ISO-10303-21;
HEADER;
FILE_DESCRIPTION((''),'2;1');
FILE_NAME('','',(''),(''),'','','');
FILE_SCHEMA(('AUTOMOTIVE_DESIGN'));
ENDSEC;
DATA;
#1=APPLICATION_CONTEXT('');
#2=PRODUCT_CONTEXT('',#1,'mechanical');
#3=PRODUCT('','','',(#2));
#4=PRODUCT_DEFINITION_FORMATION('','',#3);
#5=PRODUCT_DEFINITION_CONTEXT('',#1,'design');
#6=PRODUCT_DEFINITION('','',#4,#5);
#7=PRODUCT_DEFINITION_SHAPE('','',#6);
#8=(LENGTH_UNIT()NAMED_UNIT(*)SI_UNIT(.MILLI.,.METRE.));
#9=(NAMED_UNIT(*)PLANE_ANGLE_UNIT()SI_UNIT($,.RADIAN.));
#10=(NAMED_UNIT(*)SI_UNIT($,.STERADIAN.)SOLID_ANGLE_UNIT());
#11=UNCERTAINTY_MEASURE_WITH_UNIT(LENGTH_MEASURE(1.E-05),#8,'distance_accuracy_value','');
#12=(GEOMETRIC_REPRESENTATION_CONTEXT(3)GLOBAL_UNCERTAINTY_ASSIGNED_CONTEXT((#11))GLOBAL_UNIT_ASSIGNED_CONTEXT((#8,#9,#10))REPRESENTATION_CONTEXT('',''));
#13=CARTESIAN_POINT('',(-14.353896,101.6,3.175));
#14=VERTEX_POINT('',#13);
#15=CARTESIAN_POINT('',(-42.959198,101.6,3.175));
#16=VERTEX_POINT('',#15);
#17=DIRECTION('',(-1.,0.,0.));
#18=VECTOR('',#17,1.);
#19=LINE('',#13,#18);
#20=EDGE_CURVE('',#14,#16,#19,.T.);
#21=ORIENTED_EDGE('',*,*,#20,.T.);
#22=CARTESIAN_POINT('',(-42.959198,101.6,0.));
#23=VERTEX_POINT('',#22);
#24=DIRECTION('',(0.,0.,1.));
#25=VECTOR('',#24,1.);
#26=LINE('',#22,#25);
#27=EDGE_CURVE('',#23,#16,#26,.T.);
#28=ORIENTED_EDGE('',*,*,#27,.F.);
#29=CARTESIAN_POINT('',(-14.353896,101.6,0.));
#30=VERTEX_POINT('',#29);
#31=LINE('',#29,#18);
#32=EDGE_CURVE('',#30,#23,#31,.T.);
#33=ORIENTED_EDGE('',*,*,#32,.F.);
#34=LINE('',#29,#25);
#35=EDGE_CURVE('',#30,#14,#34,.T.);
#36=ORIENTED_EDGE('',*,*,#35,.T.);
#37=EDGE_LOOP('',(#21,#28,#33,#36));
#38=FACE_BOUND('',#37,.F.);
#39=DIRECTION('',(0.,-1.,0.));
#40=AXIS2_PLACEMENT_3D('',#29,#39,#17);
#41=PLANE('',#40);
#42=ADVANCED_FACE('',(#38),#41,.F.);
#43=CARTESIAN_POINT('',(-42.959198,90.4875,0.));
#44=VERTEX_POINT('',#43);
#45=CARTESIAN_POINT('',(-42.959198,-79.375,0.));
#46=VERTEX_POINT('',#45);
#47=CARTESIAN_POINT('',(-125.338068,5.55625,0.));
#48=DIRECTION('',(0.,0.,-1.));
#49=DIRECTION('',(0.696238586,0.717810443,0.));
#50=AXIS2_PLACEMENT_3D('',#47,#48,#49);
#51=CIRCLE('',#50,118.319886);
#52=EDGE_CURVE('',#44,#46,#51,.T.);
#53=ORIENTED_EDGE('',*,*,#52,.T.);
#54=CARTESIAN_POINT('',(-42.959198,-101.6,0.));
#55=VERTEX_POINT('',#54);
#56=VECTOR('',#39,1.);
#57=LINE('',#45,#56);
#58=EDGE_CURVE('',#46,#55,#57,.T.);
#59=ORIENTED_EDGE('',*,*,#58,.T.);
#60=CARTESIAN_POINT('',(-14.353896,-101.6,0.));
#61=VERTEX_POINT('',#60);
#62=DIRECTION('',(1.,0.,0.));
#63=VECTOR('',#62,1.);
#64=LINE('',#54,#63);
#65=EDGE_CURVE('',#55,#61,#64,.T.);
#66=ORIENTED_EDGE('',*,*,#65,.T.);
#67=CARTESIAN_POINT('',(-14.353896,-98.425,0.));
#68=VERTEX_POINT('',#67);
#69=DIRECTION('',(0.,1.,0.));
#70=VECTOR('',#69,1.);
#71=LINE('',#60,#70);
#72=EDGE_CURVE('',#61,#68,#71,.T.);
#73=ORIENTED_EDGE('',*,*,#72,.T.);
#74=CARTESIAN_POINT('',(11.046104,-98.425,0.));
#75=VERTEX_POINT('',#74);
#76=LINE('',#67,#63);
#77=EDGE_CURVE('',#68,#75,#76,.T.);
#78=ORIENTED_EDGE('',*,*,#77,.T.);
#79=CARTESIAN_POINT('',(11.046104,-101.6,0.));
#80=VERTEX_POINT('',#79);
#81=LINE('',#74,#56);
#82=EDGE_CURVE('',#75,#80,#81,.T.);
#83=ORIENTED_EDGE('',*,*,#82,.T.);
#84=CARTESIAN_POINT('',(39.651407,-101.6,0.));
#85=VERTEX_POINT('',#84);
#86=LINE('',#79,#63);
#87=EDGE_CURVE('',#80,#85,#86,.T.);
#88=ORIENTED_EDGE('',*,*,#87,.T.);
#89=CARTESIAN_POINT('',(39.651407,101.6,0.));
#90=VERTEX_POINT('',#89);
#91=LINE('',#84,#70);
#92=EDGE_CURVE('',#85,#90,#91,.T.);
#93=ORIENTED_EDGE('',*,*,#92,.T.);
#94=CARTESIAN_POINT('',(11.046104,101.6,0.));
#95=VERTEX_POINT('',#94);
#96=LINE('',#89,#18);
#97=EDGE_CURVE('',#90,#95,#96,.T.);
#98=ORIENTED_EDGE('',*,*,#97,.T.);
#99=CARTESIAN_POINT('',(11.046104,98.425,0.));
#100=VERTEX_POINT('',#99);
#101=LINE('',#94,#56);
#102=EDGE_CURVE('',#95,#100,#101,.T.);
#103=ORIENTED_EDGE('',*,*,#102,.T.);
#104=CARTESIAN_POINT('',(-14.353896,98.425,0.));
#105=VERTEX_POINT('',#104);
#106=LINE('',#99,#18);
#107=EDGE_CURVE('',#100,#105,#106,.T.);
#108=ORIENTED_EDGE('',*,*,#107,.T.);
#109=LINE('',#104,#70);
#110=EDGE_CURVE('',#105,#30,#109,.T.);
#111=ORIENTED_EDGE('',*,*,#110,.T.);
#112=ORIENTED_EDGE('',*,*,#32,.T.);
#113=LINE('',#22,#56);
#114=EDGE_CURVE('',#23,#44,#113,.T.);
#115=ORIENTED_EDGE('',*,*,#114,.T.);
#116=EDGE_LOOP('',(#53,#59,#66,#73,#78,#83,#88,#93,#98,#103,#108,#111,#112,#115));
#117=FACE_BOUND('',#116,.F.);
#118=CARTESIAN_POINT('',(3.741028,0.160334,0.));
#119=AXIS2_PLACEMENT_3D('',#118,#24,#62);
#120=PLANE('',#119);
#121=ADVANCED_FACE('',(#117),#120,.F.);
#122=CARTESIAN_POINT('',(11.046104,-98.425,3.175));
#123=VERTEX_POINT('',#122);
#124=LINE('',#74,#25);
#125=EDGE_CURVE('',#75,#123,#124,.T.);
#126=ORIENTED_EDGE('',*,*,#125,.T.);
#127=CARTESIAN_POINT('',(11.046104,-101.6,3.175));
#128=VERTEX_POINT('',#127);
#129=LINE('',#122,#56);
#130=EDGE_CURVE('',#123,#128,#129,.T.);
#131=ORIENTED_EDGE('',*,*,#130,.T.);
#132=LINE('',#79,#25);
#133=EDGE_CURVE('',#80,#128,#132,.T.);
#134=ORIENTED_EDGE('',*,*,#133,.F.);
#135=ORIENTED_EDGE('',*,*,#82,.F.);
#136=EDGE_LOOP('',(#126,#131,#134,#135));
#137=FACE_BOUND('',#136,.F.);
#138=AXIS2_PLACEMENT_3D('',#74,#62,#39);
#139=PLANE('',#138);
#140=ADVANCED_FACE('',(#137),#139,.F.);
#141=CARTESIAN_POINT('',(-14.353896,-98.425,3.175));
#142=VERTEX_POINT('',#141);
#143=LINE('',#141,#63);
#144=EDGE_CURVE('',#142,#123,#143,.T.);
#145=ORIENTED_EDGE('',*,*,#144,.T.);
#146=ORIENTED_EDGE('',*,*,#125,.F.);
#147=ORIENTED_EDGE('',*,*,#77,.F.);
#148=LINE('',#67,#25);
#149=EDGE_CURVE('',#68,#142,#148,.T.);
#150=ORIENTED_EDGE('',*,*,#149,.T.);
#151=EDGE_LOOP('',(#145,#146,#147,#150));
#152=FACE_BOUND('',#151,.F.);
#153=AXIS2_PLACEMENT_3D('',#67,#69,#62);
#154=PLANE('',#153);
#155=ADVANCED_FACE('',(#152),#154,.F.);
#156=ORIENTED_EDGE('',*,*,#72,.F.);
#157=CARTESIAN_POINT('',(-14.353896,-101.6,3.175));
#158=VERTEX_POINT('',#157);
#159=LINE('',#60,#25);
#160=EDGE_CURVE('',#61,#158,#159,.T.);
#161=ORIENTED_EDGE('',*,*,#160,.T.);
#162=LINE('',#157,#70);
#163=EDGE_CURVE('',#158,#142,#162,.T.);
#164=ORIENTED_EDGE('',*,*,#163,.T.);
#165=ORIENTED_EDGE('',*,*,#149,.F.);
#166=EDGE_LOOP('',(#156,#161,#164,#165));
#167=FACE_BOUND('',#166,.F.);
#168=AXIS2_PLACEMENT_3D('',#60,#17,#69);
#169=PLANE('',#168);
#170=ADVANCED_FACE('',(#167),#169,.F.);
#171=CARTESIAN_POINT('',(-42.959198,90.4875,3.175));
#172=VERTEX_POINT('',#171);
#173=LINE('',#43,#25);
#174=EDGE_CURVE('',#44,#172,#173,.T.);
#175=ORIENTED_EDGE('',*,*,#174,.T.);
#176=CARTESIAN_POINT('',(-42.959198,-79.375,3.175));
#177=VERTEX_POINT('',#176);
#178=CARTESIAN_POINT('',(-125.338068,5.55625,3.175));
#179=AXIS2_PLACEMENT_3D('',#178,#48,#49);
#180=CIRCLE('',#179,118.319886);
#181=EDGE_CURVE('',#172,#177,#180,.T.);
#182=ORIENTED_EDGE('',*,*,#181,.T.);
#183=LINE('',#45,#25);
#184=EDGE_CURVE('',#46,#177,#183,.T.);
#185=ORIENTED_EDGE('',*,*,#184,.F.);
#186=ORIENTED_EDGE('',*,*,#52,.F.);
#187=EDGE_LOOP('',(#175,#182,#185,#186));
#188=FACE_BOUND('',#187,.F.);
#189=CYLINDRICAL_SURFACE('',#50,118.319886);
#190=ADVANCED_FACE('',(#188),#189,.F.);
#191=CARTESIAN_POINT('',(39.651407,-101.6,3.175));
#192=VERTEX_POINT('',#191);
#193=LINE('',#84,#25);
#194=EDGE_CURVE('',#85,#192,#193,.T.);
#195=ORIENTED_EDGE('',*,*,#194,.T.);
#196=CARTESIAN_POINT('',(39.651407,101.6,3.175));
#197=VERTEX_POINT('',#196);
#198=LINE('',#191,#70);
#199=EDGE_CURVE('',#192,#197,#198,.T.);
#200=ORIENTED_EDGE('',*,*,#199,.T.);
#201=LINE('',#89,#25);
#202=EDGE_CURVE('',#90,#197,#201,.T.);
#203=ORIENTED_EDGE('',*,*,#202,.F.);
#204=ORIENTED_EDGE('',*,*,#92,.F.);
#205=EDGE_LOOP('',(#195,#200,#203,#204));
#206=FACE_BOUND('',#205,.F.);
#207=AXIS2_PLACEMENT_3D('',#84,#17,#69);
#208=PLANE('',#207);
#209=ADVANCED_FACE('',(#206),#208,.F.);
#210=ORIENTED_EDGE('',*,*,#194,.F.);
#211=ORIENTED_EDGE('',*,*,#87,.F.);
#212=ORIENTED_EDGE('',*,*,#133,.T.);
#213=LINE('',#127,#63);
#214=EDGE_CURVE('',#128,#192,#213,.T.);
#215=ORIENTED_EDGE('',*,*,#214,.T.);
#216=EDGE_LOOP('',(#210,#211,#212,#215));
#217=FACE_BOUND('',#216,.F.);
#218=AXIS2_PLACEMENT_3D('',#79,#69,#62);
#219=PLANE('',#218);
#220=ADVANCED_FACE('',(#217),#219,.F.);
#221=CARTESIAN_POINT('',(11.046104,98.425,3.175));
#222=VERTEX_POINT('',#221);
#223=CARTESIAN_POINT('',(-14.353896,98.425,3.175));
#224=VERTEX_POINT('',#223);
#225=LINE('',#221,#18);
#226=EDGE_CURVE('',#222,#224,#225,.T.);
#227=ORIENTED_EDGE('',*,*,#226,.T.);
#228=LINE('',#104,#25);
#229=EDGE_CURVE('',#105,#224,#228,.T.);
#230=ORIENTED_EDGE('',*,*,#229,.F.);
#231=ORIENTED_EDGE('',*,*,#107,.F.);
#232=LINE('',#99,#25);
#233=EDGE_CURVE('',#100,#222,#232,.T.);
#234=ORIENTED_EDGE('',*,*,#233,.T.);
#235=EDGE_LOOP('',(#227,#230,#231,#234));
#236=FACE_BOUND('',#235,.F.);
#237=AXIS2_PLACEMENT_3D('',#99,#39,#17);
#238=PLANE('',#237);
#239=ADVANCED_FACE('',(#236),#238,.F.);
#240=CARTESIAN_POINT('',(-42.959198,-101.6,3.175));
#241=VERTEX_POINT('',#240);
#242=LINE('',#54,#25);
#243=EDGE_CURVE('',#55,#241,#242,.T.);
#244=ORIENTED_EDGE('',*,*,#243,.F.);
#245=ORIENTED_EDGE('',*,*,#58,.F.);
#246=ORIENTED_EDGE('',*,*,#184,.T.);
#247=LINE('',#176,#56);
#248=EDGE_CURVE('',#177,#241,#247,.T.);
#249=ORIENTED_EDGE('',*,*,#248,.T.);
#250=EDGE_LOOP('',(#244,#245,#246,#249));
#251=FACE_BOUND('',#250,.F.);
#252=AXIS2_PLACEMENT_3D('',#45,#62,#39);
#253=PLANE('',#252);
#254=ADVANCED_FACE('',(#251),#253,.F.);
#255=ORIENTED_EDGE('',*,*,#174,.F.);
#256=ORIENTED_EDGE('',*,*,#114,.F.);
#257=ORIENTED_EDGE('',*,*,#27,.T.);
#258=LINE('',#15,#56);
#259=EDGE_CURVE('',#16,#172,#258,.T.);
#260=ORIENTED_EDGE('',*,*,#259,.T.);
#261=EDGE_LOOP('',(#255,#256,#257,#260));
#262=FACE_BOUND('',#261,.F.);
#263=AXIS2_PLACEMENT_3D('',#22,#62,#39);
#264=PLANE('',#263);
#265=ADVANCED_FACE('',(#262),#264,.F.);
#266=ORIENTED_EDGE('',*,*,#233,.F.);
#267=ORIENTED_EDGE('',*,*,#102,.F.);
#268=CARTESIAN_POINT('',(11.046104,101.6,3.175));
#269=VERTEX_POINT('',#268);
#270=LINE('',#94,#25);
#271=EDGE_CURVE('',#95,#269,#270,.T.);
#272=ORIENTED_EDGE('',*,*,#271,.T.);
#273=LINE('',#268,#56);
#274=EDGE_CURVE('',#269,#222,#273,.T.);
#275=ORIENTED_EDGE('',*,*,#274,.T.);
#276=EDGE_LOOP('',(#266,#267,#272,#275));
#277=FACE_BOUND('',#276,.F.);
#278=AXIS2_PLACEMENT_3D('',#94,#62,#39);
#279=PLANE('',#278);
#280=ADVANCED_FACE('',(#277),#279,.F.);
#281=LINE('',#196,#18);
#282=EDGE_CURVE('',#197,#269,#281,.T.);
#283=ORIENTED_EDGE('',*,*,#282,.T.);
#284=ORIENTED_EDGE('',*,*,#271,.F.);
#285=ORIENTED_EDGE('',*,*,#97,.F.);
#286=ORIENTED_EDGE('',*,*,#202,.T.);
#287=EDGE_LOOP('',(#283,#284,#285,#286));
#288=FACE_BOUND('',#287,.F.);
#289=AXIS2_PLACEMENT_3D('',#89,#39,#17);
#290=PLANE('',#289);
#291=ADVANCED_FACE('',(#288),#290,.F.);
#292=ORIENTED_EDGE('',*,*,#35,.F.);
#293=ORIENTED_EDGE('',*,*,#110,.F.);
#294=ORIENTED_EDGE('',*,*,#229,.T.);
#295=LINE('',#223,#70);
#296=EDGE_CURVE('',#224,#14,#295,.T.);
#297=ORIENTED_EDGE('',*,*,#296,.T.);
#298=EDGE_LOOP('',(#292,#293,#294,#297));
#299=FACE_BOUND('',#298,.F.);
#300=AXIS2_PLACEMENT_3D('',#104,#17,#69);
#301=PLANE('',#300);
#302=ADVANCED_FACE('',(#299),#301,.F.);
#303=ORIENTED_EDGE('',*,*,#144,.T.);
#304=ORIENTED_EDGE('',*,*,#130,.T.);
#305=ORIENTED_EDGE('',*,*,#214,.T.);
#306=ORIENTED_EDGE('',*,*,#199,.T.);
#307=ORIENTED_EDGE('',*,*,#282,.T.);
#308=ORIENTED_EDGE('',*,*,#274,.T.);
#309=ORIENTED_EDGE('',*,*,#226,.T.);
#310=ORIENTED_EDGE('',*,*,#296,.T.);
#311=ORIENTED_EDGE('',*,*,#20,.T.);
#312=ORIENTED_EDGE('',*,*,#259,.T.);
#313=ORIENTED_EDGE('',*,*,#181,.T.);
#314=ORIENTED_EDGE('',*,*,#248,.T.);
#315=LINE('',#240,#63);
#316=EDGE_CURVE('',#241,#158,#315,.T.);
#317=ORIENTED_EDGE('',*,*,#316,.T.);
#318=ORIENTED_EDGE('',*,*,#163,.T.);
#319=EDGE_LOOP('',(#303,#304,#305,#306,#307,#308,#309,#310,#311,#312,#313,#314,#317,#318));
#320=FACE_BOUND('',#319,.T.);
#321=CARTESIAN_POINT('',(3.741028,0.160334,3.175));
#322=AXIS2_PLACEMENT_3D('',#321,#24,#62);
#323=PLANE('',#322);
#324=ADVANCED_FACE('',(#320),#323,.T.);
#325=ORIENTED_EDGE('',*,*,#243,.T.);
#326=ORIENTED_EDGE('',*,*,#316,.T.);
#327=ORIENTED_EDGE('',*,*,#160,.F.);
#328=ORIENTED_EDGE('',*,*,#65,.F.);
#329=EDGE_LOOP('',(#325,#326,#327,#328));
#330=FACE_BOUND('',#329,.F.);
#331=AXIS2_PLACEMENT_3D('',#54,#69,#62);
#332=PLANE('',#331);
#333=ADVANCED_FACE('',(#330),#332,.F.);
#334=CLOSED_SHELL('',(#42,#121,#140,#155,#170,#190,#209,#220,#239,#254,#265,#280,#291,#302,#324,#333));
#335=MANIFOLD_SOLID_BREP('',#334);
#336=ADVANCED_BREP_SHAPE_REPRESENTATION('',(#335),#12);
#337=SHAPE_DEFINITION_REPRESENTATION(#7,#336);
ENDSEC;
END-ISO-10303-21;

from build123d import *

# Parameters (mm, degrees)
F1_DEPTH = 3.175


with BuildPart() as f1:
    # F0 (on Top) → F1 (new body)
    with BuildSketch(Plane.XY):
        with BuildLine():
            Line((-42.959198, -79.375), (-42.959198, -101.6))
            Line((-42.959198, -101.6), (-14.659364, -101.6))
            Line((-14.659364, -101.6), (-14.353896, -101.6))
            Line((-14.353896, -101.6), (-14.353896, -98.425))
            Line((-14.353896, -98.425), (-13.463448, -98.425))
            Line((-13.463448, -98.425), (11.046104, -98.425))
            Line((11.046104, -98.425), (11.046104, -101.6))
            Line((11.046104, -101.6), (11.936552, -101.6))
            Line((11.936552, -101.6), (14.022917, -101.6))
            Line((14.022917, -101.6), (39.525854, -101.6))
            Line((39.525854, -101.6), (39.651407, -101.6))
            Line((39.651407, -101.6), (39.651407, 101.6))
            Line((39.651407, 101.6), (14.022917, 101.6))
            Line((14.022917, 101.6), (13.768917, 101.6))
            Line((13.768917, 101.6), (11.936552, 101.6))
            Line((11.936552, 101.6), (11.046104, 101.6))
            Line((11.046104, 101.6), (11.046104, 98.425))
            Line((11.046104, 98.425), (-0.763448, 98.425))
            Line((-0.763448, 98.425), (-13.463448, 98.425))
            Line((-13.463448, 98.425), (-14.353896, 98.425))
            Line((-14.353896, 98.425), (-14.353896, 101.6))
            Line((-14.353896, 101.6), (-14.913364, 101.6))
            Line((-14.913364, 101.6), (-42.959198, 101.6))
            Line((-42.959198, 101.6), (-42.959198, 90.4875))
            ThreePointArc((-42.959198, 90.4875), (-7.018182, 5.55625), (-42.959198, -79.375))
        make_face()
    extrude(amount=F1_DEPTH)


solid = f1.part
